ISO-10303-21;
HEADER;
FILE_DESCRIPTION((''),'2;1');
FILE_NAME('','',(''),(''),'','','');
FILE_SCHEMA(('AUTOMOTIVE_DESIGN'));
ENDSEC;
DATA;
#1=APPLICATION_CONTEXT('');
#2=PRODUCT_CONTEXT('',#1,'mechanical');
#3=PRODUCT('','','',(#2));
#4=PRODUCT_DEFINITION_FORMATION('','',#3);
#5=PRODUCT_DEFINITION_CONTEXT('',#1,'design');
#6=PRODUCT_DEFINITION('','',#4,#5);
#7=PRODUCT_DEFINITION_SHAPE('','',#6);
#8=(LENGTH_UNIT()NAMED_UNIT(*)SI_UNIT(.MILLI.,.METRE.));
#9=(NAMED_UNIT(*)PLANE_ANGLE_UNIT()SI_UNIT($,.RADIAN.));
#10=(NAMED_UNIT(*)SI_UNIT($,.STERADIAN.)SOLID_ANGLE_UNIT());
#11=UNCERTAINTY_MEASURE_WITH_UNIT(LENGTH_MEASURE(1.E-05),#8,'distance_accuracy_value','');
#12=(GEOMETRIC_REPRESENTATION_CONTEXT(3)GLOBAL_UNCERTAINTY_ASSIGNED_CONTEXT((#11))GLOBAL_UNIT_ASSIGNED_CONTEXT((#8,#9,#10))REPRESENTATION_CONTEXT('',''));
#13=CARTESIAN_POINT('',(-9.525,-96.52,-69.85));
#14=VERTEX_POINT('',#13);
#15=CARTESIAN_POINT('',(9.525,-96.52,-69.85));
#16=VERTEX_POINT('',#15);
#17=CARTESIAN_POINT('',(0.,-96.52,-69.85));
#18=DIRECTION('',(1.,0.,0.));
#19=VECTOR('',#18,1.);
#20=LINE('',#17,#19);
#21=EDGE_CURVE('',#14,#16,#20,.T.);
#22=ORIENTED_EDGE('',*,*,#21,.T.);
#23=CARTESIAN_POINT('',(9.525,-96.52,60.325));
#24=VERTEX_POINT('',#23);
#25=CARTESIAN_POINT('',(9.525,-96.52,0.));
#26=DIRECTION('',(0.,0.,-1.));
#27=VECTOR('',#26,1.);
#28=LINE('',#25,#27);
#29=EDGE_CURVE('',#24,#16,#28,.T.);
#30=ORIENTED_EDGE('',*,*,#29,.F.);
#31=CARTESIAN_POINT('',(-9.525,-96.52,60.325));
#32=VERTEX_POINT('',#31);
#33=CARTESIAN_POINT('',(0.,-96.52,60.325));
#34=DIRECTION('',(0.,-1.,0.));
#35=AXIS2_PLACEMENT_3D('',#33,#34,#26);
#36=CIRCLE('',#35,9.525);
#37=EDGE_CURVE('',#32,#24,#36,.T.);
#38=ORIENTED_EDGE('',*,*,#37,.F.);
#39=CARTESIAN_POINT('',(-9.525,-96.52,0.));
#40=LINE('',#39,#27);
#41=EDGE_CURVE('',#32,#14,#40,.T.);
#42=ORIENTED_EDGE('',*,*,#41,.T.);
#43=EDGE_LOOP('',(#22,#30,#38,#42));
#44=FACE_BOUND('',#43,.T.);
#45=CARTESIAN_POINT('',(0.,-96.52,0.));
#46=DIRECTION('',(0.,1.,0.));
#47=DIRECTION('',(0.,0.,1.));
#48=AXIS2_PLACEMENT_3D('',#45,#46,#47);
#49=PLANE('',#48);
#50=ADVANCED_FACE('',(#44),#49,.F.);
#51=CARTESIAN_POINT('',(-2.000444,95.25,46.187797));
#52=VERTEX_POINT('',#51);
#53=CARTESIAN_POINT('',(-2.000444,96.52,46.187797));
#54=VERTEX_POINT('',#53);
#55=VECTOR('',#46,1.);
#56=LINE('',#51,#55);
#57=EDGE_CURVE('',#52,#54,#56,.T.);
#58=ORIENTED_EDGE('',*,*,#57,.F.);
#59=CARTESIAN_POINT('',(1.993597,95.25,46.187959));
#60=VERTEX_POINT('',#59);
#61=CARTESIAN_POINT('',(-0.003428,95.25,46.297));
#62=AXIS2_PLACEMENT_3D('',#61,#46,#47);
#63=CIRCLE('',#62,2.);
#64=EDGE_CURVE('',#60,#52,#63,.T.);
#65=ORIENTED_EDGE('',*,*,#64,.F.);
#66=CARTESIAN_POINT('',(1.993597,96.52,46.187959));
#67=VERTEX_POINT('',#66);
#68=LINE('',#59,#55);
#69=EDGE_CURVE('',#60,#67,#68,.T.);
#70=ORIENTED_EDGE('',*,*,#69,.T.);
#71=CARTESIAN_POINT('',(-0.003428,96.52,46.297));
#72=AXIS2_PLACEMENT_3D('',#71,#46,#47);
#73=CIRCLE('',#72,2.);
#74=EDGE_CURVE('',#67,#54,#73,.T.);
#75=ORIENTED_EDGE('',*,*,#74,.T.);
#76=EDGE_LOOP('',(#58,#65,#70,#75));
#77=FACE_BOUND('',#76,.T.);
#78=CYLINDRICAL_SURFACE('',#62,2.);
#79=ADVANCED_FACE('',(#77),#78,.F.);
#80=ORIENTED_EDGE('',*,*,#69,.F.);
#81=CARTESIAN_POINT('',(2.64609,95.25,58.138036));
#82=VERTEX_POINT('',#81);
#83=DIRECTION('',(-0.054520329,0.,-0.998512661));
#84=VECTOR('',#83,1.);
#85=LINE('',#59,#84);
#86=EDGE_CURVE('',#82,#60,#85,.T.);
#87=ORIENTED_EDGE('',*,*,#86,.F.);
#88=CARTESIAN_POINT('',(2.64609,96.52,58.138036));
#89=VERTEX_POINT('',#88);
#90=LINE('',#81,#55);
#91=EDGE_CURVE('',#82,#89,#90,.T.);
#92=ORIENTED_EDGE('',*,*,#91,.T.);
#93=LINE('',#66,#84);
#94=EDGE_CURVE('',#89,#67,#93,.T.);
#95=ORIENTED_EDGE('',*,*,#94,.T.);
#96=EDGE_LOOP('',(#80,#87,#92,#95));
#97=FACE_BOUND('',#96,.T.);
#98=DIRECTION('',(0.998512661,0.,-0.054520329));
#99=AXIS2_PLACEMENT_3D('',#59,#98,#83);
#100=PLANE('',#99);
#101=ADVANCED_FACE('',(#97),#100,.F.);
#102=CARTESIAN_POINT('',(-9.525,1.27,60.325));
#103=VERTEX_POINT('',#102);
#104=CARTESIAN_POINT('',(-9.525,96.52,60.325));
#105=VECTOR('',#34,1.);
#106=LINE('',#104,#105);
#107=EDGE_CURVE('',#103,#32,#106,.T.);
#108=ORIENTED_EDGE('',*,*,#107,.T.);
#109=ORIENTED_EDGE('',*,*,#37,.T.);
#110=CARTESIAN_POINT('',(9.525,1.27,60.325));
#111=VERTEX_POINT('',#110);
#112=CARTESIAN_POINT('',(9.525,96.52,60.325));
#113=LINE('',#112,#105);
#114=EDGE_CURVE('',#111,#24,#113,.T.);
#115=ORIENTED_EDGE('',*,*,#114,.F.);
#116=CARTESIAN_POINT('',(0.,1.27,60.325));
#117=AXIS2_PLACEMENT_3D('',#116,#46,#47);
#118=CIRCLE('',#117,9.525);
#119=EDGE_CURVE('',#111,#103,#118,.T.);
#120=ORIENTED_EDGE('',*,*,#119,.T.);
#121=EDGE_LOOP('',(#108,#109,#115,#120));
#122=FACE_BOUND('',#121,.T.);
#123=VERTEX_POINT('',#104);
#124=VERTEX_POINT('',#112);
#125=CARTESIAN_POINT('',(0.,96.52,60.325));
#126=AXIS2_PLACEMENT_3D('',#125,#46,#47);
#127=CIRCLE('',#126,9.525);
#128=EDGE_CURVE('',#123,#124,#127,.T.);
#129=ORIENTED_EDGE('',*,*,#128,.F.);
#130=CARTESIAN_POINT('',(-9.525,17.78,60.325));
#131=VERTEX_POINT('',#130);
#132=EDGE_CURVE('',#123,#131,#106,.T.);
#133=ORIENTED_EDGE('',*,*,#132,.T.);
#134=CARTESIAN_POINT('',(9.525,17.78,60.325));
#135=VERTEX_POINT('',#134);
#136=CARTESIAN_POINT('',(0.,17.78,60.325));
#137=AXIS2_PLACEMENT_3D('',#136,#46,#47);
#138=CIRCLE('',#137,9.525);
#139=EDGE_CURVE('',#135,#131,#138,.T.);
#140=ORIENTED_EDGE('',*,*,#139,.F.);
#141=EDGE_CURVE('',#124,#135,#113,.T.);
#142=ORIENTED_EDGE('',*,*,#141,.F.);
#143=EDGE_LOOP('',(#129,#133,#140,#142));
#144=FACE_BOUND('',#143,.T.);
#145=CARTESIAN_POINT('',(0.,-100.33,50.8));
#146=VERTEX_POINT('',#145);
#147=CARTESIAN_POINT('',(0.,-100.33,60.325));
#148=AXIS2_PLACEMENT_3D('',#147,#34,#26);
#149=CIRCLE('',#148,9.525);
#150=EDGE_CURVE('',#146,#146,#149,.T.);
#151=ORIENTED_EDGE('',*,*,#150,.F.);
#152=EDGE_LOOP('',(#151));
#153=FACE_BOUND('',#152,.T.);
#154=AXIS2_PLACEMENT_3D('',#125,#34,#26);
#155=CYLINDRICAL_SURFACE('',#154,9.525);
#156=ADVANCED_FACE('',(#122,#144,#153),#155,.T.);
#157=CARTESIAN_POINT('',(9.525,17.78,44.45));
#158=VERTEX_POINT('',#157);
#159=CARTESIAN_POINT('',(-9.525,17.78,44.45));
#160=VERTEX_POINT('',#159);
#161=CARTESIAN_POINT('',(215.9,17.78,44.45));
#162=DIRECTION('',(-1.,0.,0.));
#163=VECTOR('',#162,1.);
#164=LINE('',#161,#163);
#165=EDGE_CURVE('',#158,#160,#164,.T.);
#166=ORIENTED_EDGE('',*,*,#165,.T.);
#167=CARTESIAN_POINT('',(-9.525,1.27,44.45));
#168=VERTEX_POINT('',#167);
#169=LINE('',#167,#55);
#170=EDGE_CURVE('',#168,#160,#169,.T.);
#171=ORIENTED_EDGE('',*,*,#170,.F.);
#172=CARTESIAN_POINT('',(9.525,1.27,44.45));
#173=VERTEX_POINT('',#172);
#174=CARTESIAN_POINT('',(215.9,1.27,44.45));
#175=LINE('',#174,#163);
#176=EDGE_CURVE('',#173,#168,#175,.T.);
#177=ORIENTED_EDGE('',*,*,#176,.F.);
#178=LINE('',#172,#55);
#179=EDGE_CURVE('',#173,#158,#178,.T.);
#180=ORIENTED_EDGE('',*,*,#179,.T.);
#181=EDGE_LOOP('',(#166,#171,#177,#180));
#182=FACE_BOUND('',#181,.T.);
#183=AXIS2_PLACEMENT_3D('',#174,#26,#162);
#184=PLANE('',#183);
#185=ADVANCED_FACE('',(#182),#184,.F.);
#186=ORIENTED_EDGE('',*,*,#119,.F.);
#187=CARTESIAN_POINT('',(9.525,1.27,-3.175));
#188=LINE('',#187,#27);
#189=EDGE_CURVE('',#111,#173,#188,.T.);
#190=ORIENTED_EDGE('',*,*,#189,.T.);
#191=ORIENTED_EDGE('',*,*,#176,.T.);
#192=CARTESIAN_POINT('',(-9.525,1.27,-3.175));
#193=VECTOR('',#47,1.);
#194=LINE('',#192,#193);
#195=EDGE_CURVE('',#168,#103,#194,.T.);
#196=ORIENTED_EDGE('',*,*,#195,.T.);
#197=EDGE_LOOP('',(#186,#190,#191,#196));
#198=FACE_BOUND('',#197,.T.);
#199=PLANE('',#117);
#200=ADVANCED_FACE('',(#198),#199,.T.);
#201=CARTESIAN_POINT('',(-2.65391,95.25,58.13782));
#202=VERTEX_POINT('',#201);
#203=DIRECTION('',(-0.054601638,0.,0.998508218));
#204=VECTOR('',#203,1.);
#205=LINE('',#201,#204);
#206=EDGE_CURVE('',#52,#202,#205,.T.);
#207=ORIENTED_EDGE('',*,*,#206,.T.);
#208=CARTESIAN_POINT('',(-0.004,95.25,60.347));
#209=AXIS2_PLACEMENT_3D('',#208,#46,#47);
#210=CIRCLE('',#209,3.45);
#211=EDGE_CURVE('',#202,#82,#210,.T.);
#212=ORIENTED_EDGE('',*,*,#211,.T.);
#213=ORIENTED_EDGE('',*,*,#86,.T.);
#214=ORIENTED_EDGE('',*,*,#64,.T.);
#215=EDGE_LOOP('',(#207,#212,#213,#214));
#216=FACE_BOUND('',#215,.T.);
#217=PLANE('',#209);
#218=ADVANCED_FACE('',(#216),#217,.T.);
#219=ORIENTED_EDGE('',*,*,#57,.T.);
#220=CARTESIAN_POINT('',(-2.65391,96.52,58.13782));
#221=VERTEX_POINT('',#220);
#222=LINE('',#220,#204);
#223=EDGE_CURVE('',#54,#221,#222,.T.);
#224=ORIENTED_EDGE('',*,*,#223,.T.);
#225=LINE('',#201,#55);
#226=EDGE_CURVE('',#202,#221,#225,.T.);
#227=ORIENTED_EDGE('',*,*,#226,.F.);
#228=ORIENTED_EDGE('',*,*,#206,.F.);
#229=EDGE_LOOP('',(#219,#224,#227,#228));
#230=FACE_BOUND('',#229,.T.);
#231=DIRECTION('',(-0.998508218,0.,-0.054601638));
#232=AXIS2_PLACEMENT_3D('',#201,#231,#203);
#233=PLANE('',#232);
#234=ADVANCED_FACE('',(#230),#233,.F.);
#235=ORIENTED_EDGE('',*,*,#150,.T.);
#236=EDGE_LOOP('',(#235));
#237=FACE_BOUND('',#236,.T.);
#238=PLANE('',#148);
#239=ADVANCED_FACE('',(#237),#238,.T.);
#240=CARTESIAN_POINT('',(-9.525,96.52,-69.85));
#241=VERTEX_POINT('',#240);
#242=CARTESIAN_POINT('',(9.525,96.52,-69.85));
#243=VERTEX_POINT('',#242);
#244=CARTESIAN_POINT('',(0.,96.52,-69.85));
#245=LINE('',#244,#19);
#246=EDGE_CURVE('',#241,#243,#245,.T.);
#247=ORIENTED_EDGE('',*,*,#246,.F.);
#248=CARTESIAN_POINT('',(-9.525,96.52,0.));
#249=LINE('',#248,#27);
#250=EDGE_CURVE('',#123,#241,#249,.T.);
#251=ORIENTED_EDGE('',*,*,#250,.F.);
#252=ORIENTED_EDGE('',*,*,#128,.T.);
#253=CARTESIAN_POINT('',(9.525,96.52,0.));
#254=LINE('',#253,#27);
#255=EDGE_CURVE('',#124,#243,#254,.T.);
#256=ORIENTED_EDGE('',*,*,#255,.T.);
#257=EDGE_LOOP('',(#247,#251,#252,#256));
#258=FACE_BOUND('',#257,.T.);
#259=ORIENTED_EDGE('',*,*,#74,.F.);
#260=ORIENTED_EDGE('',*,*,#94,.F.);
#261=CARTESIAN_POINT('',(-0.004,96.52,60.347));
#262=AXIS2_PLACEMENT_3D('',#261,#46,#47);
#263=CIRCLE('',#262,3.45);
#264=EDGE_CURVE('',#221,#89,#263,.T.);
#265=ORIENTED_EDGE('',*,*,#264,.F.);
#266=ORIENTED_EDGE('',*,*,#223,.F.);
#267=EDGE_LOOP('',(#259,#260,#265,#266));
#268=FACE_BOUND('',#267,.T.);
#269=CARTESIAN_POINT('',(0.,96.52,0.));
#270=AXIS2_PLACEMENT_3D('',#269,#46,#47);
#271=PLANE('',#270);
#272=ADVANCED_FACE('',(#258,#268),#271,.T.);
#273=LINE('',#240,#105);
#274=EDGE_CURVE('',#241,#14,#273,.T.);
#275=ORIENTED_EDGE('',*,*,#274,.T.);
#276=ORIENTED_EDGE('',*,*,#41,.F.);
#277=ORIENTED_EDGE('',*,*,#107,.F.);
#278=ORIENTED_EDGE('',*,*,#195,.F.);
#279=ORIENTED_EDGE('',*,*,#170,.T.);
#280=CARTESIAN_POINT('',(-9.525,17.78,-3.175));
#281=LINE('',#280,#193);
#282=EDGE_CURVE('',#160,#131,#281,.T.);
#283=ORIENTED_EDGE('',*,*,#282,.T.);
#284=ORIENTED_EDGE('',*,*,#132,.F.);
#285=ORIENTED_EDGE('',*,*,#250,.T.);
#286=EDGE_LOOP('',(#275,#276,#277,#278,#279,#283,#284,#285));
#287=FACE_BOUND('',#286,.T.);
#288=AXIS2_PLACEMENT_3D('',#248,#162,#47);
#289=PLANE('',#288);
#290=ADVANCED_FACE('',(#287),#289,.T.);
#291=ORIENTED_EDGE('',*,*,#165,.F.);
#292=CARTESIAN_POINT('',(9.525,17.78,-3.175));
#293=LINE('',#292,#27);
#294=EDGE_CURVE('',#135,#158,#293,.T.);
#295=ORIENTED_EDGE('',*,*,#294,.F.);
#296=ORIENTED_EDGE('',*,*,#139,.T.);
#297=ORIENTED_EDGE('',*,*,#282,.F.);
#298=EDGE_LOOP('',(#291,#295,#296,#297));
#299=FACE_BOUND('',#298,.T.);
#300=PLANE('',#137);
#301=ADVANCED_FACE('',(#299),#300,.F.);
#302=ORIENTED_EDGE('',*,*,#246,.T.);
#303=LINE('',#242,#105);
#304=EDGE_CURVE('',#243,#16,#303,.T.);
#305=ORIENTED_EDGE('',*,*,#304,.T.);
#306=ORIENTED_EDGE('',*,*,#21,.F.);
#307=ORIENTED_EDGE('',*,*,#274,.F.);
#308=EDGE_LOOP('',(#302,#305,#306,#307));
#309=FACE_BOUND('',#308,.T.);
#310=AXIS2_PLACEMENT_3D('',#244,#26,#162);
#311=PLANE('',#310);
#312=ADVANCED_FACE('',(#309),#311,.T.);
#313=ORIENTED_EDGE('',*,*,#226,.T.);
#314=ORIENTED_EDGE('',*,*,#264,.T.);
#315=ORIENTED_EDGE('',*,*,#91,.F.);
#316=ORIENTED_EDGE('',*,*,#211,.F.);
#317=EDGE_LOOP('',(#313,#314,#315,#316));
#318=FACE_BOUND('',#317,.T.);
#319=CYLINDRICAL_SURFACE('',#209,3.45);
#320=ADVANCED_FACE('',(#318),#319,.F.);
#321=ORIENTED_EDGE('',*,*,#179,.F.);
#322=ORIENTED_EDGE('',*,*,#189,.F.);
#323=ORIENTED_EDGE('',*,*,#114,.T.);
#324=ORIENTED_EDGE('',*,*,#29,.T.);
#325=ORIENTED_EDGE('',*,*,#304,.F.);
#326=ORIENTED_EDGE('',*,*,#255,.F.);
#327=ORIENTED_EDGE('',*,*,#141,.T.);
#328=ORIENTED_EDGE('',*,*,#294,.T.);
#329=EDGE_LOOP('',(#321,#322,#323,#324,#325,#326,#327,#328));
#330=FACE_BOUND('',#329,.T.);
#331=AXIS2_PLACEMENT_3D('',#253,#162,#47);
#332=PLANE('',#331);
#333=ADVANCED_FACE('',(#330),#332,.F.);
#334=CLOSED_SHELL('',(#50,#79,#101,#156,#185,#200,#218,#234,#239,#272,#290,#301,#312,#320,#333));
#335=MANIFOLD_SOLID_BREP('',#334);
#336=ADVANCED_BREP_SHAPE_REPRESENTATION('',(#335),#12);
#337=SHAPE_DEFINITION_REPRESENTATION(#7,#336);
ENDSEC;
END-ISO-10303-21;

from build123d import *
from build123d.topology import SkipClean

# Parameters (mm, degrees)
BOSS_EXTRUDE1_DEPTH = 96.52
SKETCH2_R           = 9.525
BOSS_EXTRUDE2_DEPTH = 3.81
CUT_EXTRUDE1_DEPTH  = 1.27
CUT_EXTRUDE2_START  = -114.3
CUT_EXTRUDE2_DEPTH  = 16.51


with BuildPart() as part:
    # Sketch1 → Boss-Extrude1 (new, symmetric)
    with BuildSketch(Plane(origin=(0, 0, 0), x_dir=(1, 0, 0), z_dir=(0, 1, 0))):
        with BuildLine():
            ThreePointArc((-9.525, -60.325), (-6.735192091, -67.060192091), (0, -69.85))
            ThreePointArc((0, -69.85), (6.735192091, -67.060192091), (9.525, -60.325))
            Line((9.525, -60.325), (9.525, 69.85))
            Line((9.525, 69.85), (-9.525, 69.85))
            Line((-9.525, 69.85), (-9.525, -60.325))
        make_face()
    extrude(amount=BOSS_EXTRUDE1_DEPTH, both=True)

    # Sketch2 → Boss-Extrude2 (add)
    with SkipClean():  # the faces are left unmerged after this step: merging them gives an invalid solid
        with BuildSketch(Plane.XZ.offset(96.52)):
            with Locations(Location((0, 60.325, 0), (0, 0, 270))):
                Circle(SKETCH2_R)
        extrude(amount=BOSS_EXTRUDE2_DEPTH)

    # Sketch3 → Cut-Extrude1 (cut)
    with SkipClean():  # the faces are left unmerged after this step: merging them gives an invalid solid
        with BuildSketch(Plane(origin=(0, 96.52, 0), x_dir=(1, 0, 0), z_dir=(0, 1, 0))):
            with BuildLine():
                Line((-2.653910055, -58.137819903), (-2.000444386, -46.187796735))
                ThreePointArc((-2.000444386, -46.187796735), (-0.003346519, -44.297000013), (1.993597371, -46.187959354))
                Line((1.993597371, -46.187959354), (2.646089941, -58.138035694))
                ThreePointArc((2.646089941, -58.138035694), (-0.004140468, -63.796999997), (-2.653910055, -58.137819903))
            make_face()
        extrude(amount=-CUT_EXTRUDE1_DEPTH, mode=Mode.SUBTRACT)

    # Sketch5 → Cut-Extrude2 (cut)
    with SkipClean():  # the faces are left unmerged after this step: merging them gives an invalid solid
        with BuildSketch(Plane.XZ.offset(96.52).offset(CUT_EXTRUDE2_START)):
            with BuildLine():
                Line((9.525, 44.45), (-9.525, 44.45))
                Line((-9.525, 44.45), (-9.525, 60.325))
                ThreePointArc((-9.525, 60.325), (0, 50.8), (9.525, 60.325))
                Line((9.525, 60.325), (9.525, 44.45))
            make_face()
        extrude(amount=CUT_EXTRUDE2_DEPTH, mode=Mode.SUBTRACT)


solid = part.part
